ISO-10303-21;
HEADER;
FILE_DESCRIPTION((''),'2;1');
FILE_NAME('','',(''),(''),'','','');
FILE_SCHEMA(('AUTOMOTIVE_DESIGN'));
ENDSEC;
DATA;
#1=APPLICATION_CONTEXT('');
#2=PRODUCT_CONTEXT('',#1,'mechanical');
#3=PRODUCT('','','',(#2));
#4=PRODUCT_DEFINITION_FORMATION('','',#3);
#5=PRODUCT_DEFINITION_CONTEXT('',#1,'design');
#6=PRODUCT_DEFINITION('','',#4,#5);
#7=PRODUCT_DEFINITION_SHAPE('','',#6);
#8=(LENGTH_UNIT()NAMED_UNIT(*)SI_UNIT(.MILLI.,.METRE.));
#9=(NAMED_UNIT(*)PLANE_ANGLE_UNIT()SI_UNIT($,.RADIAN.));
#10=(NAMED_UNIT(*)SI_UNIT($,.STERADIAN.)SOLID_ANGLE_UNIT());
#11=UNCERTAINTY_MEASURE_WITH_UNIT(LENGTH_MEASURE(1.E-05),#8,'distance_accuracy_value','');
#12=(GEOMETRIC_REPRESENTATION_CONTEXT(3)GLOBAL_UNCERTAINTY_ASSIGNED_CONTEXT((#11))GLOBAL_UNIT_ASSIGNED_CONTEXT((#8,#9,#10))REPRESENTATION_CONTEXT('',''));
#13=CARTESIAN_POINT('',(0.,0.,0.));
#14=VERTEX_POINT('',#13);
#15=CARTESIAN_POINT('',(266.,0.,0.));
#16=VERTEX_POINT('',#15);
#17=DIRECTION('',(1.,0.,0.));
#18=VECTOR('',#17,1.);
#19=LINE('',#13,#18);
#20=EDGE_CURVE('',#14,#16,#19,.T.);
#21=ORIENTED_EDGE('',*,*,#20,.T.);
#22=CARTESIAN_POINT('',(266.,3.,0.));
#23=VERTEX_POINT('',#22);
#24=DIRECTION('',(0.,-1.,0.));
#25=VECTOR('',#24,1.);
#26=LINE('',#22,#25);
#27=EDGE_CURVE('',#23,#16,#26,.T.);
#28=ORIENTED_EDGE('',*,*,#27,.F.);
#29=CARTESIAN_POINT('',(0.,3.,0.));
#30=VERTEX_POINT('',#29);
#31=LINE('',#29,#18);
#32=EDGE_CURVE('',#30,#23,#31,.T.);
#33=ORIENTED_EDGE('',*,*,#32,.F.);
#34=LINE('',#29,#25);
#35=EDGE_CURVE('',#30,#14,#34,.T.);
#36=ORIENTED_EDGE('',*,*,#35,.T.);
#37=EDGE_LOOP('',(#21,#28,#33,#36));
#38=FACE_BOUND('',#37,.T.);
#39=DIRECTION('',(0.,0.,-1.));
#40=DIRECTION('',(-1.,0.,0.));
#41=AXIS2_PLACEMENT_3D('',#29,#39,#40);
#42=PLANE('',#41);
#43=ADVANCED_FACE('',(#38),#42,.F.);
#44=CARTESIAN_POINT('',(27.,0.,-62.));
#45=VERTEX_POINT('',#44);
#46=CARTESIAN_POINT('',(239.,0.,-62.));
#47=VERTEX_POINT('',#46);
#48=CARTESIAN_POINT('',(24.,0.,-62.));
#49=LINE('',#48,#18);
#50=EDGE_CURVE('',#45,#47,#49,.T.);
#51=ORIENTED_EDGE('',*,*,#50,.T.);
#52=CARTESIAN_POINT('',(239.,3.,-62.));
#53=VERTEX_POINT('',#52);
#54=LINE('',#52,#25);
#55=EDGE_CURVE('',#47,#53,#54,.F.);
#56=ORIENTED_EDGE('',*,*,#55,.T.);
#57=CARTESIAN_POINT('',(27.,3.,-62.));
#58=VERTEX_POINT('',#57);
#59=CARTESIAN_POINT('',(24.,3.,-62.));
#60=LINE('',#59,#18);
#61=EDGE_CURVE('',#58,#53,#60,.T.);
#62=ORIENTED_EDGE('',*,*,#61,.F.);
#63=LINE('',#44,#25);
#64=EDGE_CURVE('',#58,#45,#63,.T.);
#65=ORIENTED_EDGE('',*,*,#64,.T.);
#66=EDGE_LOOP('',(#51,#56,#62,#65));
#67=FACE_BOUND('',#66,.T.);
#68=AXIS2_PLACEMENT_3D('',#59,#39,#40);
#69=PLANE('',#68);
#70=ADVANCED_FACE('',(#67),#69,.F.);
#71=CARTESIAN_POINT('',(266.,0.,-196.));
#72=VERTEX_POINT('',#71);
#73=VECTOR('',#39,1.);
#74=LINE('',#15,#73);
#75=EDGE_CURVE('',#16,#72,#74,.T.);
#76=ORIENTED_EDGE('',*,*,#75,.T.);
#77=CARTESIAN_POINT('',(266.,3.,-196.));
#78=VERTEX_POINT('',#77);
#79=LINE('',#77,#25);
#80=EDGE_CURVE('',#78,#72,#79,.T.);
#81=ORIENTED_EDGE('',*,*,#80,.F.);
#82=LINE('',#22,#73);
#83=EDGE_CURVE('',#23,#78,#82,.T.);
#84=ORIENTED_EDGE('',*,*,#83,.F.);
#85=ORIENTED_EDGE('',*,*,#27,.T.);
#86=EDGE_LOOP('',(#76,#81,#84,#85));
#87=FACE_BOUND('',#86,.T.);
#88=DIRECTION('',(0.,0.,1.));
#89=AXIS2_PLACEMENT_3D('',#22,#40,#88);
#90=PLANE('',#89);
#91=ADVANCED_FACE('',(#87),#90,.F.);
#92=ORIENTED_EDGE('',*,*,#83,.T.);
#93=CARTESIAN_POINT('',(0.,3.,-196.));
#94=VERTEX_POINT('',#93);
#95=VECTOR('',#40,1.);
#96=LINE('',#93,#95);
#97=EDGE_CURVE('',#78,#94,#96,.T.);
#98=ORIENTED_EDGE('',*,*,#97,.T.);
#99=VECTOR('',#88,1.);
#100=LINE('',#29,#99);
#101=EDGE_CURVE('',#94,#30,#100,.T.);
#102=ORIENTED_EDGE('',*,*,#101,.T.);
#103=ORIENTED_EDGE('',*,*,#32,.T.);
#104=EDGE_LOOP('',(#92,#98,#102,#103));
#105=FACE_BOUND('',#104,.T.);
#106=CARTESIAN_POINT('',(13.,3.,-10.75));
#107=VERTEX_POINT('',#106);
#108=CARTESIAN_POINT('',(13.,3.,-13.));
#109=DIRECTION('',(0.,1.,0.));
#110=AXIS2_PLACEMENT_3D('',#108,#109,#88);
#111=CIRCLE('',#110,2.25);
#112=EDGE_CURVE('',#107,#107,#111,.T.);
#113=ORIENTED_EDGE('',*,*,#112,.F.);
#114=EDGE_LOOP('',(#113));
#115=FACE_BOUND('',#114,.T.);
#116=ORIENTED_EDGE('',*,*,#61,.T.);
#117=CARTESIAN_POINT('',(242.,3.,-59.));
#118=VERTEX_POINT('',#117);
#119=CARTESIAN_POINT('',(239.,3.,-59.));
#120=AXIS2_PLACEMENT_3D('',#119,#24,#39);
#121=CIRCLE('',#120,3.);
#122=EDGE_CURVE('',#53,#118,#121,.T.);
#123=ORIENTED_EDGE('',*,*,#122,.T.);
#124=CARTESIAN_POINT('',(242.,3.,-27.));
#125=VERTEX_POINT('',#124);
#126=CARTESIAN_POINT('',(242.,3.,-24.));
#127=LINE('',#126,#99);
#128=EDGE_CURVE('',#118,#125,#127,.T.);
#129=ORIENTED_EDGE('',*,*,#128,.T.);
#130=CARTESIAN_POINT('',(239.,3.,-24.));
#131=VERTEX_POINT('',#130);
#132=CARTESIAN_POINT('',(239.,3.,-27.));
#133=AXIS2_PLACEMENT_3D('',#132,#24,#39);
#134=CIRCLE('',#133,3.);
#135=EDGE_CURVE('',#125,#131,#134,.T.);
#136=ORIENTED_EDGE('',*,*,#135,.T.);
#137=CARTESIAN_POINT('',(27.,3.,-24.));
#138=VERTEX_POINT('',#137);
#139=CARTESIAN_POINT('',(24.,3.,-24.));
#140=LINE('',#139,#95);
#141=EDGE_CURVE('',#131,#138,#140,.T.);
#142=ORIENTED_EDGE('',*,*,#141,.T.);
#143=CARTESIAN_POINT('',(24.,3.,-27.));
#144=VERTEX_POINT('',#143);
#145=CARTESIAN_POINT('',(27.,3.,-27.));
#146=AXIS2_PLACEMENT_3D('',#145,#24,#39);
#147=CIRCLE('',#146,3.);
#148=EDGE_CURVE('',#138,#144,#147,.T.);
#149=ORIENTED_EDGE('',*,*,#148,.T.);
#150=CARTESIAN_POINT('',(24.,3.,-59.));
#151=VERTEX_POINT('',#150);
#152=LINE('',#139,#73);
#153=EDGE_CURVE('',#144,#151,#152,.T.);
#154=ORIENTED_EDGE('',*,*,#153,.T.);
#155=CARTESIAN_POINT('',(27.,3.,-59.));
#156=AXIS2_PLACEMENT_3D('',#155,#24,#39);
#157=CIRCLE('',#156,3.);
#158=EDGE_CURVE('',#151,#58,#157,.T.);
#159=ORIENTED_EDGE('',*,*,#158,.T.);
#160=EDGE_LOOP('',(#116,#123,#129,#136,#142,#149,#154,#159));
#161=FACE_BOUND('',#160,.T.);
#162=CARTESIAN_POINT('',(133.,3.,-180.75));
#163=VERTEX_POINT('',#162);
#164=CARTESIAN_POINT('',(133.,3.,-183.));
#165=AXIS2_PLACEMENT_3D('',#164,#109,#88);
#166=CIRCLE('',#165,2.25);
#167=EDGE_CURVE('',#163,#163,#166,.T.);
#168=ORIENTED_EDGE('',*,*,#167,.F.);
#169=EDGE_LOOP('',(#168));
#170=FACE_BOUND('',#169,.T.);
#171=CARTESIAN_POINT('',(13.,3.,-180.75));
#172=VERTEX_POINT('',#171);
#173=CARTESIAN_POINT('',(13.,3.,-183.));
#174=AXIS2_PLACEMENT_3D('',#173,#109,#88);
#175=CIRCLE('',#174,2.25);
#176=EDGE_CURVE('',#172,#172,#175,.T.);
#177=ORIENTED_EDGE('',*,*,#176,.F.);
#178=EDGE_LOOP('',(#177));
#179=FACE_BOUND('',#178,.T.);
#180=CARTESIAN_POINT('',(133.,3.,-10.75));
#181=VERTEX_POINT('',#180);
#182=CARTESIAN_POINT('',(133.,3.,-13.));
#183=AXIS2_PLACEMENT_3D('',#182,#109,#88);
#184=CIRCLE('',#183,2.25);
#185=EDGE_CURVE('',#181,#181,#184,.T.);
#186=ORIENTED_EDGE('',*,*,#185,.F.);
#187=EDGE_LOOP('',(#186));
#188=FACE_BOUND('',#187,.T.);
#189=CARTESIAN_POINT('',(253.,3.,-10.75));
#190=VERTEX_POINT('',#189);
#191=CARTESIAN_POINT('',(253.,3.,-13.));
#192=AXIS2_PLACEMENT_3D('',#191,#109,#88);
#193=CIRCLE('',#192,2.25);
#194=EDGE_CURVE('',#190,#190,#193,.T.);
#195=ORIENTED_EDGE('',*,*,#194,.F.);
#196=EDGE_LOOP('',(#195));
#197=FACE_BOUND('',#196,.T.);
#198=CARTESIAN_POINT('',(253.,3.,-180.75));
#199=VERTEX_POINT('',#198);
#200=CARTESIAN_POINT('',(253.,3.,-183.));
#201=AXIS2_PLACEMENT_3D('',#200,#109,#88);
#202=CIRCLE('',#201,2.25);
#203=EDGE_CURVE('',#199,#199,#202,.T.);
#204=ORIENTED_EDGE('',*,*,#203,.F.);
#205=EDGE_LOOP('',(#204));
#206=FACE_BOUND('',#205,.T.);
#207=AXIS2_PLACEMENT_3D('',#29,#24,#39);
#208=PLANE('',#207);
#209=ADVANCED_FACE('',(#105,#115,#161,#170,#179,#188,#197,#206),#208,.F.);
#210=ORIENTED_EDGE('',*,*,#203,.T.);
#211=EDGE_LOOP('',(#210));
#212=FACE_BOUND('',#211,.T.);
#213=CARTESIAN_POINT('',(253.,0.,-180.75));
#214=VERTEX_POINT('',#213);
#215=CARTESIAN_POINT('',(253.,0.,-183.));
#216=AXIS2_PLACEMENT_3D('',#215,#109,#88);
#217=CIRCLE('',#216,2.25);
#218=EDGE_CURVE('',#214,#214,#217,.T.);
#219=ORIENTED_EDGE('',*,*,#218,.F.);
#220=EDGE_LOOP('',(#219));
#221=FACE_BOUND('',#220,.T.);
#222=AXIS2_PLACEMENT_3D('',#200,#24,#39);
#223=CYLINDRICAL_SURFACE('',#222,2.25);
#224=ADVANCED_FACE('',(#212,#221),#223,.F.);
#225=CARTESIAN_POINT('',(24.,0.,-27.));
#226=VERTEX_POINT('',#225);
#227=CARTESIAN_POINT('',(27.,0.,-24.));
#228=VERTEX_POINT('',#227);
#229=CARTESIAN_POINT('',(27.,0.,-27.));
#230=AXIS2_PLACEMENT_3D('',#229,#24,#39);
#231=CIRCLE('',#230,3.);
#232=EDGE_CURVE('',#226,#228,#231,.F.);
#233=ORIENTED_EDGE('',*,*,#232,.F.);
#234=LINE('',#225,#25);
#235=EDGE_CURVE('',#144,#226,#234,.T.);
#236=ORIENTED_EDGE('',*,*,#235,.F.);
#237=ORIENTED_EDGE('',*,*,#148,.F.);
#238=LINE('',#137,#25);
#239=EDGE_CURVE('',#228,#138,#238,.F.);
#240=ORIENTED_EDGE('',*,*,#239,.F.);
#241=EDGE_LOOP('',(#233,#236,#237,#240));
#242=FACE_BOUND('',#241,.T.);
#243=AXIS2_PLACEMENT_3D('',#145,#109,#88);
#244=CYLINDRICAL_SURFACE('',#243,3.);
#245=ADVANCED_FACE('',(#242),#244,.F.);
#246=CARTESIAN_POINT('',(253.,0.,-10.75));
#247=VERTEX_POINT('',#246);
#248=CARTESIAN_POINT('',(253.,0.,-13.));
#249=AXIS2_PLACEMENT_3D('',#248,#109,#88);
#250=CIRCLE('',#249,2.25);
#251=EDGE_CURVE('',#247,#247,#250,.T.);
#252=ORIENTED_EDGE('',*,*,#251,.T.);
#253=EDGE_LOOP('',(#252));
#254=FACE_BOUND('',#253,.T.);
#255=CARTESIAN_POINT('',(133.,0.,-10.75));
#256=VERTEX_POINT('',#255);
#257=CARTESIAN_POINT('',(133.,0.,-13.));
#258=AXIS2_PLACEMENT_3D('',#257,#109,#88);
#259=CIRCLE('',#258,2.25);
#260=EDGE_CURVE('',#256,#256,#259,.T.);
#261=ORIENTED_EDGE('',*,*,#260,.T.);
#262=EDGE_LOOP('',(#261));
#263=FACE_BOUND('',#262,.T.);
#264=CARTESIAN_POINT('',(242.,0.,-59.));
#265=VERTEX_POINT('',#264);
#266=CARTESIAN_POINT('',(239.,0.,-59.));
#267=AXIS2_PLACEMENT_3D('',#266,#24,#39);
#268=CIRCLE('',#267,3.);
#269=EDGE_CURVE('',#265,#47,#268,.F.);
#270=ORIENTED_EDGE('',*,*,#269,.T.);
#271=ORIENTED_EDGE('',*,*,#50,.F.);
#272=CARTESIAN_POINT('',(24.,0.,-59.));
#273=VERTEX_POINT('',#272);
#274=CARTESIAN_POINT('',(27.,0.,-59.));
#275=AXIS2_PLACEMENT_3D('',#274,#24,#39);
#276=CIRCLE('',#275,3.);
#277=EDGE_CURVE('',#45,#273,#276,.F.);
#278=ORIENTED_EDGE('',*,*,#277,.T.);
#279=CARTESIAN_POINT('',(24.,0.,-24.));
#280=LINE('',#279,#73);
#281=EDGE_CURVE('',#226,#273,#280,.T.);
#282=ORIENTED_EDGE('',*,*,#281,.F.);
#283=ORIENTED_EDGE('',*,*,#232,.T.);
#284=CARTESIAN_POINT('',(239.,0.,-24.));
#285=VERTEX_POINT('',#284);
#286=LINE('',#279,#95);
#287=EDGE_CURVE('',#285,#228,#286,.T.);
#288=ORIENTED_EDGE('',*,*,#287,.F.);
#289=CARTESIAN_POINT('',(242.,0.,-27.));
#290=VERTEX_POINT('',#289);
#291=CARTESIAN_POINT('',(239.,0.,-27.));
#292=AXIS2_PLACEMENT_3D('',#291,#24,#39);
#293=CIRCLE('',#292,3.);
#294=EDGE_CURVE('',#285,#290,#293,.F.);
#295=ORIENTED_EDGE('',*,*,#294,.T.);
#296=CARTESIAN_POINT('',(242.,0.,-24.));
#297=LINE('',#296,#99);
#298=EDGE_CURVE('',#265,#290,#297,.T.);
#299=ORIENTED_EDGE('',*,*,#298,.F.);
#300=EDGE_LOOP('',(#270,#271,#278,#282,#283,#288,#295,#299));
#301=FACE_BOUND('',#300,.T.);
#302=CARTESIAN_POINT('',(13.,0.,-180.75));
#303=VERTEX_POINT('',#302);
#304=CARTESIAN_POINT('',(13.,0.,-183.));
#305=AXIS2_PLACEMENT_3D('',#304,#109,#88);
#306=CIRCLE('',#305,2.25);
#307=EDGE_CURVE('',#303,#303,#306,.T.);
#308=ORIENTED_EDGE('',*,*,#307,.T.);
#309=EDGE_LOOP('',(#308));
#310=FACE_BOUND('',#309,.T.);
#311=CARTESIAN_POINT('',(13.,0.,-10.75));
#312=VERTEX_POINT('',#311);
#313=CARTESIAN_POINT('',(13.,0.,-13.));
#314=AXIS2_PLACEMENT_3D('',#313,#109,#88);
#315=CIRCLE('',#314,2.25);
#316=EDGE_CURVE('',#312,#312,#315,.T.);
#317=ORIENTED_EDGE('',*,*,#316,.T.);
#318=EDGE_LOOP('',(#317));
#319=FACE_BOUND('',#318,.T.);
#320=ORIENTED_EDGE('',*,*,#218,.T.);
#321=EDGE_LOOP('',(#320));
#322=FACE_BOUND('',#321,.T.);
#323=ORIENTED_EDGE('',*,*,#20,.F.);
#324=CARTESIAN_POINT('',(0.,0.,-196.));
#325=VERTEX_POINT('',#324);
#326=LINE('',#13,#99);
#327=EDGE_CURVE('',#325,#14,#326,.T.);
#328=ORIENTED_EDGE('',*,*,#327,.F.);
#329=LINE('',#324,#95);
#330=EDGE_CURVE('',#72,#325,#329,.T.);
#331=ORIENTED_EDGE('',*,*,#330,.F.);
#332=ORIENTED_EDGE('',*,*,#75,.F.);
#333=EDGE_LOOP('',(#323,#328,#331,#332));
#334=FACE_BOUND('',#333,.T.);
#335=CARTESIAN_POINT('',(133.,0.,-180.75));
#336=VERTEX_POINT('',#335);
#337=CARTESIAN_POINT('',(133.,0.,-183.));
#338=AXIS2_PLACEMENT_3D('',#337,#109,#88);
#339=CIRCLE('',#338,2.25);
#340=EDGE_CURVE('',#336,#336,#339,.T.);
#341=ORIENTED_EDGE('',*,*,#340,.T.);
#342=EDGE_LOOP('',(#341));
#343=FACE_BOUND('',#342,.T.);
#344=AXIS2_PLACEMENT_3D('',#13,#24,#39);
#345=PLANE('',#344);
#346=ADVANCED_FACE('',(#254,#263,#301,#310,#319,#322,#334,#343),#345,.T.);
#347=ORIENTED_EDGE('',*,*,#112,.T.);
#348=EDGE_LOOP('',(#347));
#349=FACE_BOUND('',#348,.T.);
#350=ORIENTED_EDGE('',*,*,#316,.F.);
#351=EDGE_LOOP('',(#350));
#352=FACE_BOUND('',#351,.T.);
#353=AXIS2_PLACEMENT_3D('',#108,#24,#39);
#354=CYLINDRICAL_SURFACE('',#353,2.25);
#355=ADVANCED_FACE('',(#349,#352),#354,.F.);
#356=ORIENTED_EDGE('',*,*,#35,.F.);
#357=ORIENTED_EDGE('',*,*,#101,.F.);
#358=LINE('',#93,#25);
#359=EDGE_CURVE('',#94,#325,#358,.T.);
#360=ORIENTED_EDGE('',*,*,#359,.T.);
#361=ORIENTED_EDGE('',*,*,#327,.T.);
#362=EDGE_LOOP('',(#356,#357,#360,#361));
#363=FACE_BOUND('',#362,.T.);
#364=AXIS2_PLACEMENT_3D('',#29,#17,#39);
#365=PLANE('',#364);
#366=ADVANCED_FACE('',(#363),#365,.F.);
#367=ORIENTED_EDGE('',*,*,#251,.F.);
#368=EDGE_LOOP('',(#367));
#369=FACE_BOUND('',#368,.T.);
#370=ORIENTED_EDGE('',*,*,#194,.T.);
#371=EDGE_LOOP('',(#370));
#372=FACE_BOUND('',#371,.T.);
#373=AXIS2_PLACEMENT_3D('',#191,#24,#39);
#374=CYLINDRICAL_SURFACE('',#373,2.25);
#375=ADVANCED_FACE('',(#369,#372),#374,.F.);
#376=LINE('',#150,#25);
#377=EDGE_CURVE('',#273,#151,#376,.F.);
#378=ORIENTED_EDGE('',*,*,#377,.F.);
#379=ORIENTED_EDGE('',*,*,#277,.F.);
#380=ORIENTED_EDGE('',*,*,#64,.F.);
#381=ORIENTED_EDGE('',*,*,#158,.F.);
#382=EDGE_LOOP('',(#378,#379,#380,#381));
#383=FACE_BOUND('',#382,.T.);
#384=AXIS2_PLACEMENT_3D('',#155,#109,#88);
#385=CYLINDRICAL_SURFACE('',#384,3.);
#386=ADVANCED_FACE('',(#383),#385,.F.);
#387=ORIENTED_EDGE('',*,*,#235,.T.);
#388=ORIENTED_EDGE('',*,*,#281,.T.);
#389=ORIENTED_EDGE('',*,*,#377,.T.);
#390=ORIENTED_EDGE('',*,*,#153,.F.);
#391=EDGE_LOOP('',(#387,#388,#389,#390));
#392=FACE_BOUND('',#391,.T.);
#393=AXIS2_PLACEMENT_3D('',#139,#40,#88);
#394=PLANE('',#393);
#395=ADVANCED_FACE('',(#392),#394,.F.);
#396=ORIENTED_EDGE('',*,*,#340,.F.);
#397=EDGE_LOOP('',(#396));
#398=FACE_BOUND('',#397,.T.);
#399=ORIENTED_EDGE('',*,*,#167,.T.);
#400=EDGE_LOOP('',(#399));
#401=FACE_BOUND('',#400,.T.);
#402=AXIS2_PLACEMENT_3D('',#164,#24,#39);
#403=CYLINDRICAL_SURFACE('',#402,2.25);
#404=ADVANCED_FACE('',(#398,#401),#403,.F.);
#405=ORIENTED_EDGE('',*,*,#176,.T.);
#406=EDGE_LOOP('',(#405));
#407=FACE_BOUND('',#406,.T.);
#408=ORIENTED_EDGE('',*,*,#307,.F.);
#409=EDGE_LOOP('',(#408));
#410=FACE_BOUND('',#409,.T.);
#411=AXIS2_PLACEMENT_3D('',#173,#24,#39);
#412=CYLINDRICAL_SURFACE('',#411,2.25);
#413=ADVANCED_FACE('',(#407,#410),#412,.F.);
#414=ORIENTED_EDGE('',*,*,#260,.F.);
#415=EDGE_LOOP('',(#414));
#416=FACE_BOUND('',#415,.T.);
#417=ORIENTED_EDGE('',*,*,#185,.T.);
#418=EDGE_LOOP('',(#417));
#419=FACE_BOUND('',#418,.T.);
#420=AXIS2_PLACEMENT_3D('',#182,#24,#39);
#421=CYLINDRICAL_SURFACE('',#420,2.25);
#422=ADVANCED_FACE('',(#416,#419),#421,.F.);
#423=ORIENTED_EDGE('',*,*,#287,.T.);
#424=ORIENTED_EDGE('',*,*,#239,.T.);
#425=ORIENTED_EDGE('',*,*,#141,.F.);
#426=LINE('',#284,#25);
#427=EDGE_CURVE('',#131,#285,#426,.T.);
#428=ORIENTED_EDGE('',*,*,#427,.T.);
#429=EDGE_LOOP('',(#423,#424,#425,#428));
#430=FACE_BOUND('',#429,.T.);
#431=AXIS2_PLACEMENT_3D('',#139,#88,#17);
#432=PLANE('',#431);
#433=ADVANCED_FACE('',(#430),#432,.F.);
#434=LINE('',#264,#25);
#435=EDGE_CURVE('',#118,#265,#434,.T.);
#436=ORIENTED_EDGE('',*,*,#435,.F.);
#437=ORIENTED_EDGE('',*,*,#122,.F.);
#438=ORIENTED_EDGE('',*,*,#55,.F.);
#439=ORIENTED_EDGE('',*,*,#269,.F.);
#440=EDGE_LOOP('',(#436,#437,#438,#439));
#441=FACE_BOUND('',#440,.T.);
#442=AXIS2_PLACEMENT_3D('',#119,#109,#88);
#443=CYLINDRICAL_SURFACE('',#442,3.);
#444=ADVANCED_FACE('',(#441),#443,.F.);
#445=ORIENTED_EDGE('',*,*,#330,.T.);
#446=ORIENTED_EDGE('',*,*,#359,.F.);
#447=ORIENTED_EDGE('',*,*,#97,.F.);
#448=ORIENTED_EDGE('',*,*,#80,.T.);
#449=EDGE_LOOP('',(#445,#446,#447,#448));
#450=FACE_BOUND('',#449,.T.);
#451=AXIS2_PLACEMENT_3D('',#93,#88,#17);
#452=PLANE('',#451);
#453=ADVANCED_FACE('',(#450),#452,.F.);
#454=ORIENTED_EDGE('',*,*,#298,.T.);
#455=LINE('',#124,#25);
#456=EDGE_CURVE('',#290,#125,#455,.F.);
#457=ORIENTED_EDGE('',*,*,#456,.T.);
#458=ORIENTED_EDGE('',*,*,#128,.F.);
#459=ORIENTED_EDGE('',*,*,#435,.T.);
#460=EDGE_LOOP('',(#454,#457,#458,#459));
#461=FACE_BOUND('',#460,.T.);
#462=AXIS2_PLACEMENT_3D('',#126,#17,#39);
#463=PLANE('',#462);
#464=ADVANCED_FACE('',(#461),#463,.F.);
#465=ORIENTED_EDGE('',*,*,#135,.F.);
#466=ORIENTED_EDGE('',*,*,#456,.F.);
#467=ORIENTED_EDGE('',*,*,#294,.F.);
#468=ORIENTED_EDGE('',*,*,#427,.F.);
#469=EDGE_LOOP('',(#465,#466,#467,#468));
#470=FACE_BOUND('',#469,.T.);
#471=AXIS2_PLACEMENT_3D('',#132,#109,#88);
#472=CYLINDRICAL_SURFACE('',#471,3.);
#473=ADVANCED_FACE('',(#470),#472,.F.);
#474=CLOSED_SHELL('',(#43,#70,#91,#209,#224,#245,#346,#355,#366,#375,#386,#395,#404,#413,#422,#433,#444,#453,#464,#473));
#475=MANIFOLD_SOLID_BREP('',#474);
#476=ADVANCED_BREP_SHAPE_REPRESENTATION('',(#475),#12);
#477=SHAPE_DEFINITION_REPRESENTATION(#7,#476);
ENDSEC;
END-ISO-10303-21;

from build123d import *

# Parameters (mm, degrees)
SKETCH_1_W         = 266
SKETCH_1_H         = 196
SKETCH_1_R         = 2.25
EXTRUDE_1_DEPTH    = 3
SKETCH1_W          = 218
SKETCH1_H          = 38
CUT_EXTRUDE1_DEPTH = 4
FILLET1_R          = 3


with BuildPart() as part:
    # Эскиз1 → Бобышка-Вытянуть1 (new body)
    with BuildSketch(Plane(origin=(0, 0, 0), x_dir=(1, 0, 0), z_dir=(0, 1, 0))):
        with Locations((133, 98)):
            Rectangle(SKETCH_1_W, SKETCH_1_H)
        with Locations((13, 183)):
            Circle(SKETCH_1_R, mode=Mode.SUBTRACT)
        with Locations((253, 183)):
            Circle(SKETCH_1_R, mode=Mode.SUBTRACT)
        with Locations((253, 13)):
            Circle(SKETCH_1_R, mode=Mode.SUBTRACT)
        with Locations((13, 13)):
            Circle(SKETCH_1_R, mode=Mode.SUBTRACT)
        with Locations((133, 13)):
            Circle(SKETCH_1_R, mode=Mode.SUBTRACT)
        with Locations((133, 183)):
            Circle(SKETCH_1_R, mode=Mode.SUBTRACT)
    extrude(amount=EXTRUDE_1_DEPTH)

    # Sketch1 → Cut-Extrude1 (cut, through all)
    with BuildSketch(Plane.XZ):
        with Locations((133, -43)):
            Rectangle(SKETCH1_W, SKETCH1_H)
    extrude(amount=-CUT_EXTRUDE1_DEPTH, mode=Mode.SUBTRACT)

    # Fillet1
    fillet1_edges = [part.edges().sort_by_distance(p)[0] for p in [
        (24, 1.5, -62),
        (24, 1.5, -24),
        (242, 1.5, -24),
        (242, 1.5, -62),
    ]]
    fillet(fillet1_edges, radius=FILLET1_R)


solid = part.part
